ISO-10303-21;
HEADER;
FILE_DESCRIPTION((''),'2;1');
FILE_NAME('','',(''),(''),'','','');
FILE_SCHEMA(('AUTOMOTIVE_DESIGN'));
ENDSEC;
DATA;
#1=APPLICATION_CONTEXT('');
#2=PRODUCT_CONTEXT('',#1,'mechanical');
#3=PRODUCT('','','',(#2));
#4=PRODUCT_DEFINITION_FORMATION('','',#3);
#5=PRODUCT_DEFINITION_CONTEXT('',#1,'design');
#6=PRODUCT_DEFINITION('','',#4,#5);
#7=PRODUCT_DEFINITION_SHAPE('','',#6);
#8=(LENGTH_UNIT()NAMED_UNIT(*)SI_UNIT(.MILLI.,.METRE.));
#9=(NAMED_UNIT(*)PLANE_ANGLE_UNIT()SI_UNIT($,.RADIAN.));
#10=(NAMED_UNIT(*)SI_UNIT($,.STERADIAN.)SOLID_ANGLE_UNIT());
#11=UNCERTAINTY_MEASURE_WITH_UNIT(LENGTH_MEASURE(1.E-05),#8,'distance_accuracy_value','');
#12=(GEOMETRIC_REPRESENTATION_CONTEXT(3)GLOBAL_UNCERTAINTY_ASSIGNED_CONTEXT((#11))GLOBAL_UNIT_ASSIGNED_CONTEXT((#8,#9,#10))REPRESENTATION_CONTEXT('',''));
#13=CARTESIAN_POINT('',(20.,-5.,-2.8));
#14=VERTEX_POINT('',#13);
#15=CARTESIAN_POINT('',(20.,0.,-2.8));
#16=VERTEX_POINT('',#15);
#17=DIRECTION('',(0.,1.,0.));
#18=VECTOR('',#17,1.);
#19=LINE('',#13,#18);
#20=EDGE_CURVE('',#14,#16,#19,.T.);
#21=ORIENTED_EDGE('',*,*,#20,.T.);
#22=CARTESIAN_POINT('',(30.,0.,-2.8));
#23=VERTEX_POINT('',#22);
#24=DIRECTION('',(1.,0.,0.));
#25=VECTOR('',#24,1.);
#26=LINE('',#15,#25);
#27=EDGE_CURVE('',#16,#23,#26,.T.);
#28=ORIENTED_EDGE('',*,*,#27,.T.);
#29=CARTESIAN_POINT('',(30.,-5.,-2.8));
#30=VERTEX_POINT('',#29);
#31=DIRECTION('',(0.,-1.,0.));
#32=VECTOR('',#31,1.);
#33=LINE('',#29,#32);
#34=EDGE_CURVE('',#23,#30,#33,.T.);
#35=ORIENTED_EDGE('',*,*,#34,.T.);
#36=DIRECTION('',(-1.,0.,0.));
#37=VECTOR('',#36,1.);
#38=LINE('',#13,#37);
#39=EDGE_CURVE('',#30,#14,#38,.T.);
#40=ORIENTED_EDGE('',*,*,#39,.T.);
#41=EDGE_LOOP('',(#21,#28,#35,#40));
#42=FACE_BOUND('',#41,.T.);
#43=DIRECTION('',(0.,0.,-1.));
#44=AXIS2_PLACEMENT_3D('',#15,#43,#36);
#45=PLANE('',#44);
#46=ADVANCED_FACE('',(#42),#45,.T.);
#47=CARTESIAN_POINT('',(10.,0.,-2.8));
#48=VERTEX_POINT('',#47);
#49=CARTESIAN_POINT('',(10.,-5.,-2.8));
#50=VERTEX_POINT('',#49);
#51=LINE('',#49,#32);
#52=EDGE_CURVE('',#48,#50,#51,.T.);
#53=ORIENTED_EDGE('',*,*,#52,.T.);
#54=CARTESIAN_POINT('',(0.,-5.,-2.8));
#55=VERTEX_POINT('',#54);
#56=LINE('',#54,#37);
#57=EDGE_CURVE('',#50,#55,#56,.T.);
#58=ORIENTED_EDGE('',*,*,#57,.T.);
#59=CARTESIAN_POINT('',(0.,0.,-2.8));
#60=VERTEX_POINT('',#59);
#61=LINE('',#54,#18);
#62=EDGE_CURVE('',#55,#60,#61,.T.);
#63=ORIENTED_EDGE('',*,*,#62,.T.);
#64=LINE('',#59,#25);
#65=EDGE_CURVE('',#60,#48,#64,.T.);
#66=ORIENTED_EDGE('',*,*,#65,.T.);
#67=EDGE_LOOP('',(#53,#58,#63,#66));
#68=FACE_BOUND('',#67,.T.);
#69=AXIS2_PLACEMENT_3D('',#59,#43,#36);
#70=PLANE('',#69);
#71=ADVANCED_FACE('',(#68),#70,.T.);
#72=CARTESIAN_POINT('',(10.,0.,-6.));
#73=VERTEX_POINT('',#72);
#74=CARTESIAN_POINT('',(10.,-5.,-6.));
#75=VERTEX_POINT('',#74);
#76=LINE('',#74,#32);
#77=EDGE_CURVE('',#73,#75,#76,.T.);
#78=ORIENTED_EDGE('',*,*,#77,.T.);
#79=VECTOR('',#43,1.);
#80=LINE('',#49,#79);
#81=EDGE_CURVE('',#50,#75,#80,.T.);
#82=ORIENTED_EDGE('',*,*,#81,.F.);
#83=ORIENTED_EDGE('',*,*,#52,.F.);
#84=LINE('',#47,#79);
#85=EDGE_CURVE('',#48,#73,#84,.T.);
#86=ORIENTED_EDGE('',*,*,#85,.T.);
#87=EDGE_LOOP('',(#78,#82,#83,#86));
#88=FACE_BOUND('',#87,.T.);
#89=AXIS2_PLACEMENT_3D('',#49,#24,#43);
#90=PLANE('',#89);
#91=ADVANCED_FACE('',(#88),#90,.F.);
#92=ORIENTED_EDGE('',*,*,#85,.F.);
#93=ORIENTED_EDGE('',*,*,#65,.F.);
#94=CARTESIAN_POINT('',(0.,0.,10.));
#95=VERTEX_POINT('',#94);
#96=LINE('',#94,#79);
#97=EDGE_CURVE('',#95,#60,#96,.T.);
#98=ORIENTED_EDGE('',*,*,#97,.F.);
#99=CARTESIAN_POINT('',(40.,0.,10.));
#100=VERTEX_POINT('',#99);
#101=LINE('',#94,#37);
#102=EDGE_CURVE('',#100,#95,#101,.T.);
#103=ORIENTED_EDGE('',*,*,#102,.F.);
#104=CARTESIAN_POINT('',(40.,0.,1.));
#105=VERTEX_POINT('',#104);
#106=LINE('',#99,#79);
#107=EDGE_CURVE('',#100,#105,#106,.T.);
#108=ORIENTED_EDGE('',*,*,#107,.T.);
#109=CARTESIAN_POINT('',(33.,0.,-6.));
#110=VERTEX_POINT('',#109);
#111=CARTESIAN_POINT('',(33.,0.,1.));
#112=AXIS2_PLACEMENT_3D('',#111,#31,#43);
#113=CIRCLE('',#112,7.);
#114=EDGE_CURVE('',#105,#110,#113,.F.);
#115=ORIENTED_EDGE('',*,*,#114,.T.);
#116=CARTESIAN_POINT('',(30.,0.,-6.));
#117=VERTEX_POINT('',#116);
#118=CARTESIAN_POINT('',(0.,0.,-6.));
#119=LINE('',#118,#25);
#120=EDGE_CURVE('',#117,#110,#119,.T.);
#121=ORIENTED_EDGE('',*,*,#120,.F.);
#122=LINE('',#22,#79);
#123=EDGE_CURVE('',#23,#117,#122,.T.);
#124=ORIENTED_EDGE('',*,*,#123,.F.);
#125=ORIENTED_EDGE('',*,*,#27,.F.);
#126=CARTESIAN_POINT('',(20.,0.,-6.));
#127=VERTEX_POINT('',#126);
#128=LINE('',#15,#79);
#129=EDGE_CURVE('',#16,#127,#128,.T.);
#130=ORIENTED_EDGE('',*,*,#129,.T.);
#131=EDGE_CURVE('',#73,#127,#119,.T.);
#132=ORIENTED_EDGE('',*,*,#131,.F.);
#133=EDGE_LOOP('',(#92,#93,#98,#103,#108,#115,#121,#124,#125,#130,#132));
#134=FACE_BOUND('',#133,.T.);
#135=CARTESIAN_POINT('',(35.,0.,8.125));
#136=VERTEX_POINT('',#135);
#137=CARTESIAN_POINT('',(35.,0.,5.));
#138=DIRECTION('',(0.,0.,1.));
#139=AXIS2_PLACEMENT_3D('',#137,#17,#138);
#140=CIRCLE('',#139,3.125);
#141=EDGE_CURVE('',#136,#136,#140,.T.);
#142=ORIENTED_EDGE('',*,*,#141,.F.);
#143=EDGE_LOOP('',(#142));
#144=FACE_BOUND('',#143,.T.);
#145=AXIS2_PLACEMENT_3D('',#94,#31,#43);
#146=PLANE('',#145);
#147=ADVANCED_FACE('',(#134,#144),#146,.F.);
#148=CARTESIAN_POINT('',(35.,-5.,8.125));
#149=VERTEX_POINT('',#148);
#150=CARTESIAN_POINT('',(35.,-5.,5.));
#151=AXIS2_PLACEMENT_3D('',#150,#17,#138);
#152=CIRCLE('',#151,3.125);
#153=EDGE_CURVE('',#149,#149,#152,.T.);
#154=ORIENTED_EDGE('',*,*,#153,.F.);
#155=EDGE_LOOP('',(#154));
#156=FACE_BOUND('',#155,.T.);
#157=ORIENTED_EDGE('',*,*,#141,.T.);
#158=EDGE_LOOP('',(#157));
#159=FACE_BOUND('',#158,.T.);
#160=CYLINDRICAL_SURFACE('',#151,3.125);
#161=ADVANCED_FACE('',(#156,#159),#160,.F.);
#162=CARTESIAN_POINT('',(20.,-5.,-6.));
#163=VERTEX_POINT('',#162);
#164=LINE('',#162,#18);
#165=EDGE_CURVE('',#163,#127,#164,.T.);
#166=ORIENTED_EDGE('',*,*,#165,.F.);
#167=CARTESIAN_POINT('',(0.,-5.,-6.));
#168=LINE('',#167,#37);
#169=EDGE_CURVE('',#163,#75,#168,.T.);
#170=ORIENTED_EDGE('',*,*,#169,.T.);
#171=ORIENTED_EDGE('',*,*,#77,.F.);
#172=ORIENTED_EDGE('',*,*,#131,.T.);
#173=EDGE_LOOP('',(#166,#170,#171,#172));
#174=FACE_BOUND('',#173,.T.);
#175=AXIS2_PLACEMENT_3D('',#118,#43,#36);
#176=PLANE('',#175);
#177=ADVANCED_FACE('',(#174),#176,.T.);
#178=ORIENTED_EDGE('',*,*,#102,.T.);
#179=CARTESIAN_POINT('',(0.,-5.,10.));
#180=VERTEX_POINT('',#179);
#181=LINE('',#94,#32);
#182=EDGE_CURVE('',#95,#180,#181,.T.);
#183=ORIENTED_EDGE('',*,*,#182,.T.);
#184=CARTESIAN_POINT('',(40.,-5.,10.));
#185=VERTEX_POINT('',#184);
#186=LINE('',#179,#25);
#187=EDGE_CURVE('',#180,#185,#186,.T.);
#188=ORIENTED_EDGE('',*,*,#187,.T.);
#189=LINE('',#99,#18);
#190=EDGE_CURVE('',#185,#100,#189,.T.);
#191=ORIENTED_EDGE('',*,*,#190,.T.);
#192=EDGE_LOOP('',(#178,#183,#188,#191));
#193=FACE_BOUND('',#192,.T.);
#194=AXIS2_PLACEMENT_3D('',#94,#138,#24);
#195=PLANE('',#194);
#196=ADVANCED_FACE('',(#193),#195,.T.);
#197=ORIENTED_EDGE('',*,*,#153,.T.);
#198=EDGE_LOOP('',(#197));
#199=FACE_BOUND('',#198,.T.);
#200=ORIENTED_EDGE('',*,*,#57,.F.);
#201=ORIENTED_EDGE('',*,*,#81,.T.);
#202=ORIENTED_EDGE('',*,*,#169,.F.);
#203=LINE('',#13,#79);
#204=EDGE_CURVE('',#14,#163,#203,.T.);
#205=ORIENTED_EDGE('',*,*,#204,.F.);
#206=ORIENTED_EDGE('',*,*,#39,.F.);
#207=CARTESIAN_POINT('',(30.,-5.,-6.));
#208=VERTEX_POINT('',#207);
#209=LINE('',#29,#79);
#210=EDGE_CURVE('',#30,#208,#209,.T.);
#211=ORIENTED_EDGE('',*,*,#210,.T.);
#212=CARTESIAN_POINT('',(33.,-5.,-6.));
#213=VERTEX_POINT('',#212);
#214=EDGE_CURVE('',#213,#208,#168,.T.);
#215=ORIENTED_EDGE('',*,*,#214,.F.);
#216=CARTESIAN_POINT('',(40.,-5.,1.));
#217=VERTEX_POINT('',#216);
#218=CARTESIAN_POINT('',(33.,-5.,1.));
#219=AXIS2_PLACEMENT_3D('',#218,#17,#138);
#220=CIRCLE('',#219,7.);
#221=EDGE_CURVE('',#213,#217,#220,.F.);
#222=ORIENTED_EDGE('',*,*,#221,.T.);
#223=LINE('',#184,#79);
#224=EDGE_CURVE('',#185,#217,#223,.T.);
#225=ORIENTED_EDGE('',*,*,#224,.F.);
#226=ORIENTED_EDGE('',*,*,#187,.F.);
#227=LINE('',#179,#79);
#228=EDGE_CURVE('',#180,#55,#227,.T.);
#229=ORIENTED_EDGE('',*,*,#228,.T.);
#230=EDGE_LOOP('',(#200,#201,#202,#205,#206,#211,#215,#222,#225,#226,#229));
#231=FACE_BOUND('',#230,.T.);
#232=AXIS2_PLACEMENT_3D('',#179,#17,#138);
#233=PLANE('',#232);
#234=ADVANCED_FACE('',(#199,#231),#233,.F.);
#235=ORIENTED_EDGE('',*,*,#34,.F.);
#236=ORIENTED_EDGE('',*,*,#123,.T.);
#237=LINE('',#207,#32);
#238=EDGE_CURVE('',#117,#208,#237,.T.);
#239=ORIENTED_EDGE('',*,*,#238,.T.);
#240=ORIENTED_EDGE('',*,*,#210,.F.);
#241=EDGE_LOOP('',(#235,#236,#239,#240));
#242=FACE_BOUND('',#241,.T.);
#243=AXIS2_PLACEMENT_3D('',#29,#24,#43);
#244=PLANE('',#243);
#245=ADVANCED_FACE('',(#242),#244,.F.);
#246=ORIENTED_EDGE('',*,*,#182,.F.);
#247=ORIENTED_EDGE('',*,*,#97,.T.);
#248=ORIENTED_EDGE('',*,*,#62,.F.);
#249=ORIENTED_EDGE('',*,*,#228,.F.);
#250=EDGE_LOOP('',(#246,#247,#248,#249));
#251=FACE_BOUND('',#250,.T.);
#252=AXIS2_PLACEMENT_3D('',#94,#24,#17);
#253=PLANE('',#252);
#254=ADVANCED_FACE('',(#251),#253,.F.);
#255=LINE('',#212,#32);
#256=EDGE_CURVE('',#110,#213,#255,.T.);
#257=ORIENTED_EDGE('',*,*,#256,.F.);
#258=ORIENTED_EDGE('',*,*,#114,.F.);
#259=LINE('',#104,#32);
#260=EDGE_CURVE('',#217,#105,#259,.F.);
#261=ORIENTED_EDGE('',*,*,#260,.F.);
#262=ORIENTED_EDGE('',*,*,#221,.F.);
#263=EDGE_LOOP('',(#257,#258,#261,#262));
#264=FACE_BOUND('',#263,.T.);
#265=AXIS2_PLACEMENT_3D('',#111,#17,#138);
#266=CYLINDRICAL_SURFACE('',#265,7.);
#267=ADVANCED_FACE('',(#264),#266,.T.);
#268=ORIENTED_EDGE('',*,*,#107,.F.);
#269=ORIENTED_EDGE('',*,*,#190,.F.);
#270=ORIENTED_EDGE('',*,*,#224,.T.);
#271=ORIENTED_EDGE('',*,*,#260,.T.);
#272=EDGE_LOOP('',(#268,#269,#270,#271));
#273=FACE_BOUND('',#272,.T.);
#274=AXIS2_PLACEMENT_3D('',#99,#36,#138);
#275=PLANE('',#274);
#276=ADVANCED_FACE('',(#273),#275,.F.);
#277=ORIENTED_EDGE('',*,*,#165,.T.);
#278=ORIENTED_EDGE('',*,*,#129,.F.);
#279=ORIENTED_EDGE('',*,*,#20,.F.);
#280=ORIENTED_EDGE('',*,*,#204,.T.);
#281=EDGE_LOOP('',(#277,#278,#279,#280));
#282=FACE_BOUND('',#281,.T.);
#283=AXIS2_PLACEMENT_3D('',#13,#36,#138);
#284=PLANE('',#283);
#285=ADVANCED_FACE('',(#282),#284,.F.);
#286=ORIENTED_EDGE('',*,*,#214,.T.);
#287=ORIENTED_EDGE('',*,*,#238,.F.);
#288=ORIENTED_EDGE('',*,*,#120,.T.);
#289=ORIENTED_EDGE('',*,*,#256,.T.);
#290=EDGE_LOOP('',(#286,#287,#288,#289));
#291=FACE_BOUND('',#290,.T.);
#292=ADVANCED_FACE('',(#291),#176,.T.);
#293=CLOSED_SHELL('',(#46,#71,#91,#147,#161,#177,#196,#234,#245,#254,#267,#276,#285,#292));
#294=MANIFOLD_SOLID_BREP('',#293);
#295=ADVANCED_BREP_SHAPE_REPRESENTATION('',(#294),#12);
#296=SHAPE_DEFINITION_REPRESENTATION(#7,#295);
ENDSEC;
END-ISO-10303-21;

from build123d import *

# Parameters (mm, degrees)
ESQUISSE1_W                = 40
ESQUISSE1_H                = 5
BOSS_EXTRU_1_DEPTH         = 10
ESQUISSE2_R                = 3.125
ENL_V_MAT_EXTRU_1_DEPTH    = 6
ESQUISSE3_W                = 40
ESQUISSE3_H                = 5
BOSS_EXTRU_2_DEPTH         = 6
CONG_1_R                   = 7
ESQUISSE5_W                = 10
ESQUISSE5_H                = 5
ENL_V_MAT_EXTRU_3_DEPTH    = 3.2
R_P_TITION_LIN_AIRE1_COUNT = 2
R_P_TITION_LIN_AIRE1_PITCH = 20


with BuildPart() as part:
    # Esquisse1 → Boss.-Extru.1 (new body)
    with BuildSketch(Plane.XY):
        with Locations((20, -2.5)):
            Rectangle(ESQUISSE1_W, ESQUISSE1_H)
    extrude(amount=BOSS_EXTRU_1_DEPTH)

    # Esquisse2 → Enlèv. mat.-Extru.1 (cut, through all)
    with BuildSketch(Plane(origin=(0, 0, 0), x_dir=(1, 0, 0), z_dir=(0, 1, 0))):
        with Locations((35, -5)):
            Circle(ESQUISSE2_R)
    extrude(amount=-ENL_V_MAT_EXTRU_1_DEPTH, mode=Mode.SUBTRACT)

    # Esquisse3 → Boss.-Extru.2 (add)
    with BuildSketch(Plane(origin=(0, 0, 0), x_dir=(-1, 0, 0), z_dir=(0, 0, -1))):
        with Locations((-20, -2.5)):
            Rectangle(ESQUISSE3_W, ESQUISSE3_H)
    extrude(amount=BOSS_EXTRU_2_DEPTH)

    # Congé1
    cong_1_edges = [part.edges().sort_by_distance(p)[0] for p in [
        (40, -2.5, -6),
    ]]
    fillet(cong_1_edges, radius=CONG_1_R)

    # Esquisse5 → Enlèv. mat.-Extru.3 (cut)
    with BuildSketch(Plane(origin=(0, 0, -6), x_dir=(-1, 0, 0), z_dir=(0, 0, -1))):
        with Locations((-5, -2.5)):
            Rectangle(ESQUISSE5_W, ESQUISSE5_H)
    enl_v_mat_extru_3 = extrude(amount=-ENL_V_MAT_EXTRU_3_DEPTH, mode=Mode.SUBTRACT)

    # Répétition linéaire1: Enlèv. mat.-Extru.3 ×2
    with Locations(*[(i * R_P_TITION_LIN_AIRE1_PITCH, 0, 0) for i in range(1, R_P_TITION_LIN_AIRE1_COUNT)]):
        add(enl_v_mat_extru_3, mode=Mode.SUBTRACT)


solid = part.part
